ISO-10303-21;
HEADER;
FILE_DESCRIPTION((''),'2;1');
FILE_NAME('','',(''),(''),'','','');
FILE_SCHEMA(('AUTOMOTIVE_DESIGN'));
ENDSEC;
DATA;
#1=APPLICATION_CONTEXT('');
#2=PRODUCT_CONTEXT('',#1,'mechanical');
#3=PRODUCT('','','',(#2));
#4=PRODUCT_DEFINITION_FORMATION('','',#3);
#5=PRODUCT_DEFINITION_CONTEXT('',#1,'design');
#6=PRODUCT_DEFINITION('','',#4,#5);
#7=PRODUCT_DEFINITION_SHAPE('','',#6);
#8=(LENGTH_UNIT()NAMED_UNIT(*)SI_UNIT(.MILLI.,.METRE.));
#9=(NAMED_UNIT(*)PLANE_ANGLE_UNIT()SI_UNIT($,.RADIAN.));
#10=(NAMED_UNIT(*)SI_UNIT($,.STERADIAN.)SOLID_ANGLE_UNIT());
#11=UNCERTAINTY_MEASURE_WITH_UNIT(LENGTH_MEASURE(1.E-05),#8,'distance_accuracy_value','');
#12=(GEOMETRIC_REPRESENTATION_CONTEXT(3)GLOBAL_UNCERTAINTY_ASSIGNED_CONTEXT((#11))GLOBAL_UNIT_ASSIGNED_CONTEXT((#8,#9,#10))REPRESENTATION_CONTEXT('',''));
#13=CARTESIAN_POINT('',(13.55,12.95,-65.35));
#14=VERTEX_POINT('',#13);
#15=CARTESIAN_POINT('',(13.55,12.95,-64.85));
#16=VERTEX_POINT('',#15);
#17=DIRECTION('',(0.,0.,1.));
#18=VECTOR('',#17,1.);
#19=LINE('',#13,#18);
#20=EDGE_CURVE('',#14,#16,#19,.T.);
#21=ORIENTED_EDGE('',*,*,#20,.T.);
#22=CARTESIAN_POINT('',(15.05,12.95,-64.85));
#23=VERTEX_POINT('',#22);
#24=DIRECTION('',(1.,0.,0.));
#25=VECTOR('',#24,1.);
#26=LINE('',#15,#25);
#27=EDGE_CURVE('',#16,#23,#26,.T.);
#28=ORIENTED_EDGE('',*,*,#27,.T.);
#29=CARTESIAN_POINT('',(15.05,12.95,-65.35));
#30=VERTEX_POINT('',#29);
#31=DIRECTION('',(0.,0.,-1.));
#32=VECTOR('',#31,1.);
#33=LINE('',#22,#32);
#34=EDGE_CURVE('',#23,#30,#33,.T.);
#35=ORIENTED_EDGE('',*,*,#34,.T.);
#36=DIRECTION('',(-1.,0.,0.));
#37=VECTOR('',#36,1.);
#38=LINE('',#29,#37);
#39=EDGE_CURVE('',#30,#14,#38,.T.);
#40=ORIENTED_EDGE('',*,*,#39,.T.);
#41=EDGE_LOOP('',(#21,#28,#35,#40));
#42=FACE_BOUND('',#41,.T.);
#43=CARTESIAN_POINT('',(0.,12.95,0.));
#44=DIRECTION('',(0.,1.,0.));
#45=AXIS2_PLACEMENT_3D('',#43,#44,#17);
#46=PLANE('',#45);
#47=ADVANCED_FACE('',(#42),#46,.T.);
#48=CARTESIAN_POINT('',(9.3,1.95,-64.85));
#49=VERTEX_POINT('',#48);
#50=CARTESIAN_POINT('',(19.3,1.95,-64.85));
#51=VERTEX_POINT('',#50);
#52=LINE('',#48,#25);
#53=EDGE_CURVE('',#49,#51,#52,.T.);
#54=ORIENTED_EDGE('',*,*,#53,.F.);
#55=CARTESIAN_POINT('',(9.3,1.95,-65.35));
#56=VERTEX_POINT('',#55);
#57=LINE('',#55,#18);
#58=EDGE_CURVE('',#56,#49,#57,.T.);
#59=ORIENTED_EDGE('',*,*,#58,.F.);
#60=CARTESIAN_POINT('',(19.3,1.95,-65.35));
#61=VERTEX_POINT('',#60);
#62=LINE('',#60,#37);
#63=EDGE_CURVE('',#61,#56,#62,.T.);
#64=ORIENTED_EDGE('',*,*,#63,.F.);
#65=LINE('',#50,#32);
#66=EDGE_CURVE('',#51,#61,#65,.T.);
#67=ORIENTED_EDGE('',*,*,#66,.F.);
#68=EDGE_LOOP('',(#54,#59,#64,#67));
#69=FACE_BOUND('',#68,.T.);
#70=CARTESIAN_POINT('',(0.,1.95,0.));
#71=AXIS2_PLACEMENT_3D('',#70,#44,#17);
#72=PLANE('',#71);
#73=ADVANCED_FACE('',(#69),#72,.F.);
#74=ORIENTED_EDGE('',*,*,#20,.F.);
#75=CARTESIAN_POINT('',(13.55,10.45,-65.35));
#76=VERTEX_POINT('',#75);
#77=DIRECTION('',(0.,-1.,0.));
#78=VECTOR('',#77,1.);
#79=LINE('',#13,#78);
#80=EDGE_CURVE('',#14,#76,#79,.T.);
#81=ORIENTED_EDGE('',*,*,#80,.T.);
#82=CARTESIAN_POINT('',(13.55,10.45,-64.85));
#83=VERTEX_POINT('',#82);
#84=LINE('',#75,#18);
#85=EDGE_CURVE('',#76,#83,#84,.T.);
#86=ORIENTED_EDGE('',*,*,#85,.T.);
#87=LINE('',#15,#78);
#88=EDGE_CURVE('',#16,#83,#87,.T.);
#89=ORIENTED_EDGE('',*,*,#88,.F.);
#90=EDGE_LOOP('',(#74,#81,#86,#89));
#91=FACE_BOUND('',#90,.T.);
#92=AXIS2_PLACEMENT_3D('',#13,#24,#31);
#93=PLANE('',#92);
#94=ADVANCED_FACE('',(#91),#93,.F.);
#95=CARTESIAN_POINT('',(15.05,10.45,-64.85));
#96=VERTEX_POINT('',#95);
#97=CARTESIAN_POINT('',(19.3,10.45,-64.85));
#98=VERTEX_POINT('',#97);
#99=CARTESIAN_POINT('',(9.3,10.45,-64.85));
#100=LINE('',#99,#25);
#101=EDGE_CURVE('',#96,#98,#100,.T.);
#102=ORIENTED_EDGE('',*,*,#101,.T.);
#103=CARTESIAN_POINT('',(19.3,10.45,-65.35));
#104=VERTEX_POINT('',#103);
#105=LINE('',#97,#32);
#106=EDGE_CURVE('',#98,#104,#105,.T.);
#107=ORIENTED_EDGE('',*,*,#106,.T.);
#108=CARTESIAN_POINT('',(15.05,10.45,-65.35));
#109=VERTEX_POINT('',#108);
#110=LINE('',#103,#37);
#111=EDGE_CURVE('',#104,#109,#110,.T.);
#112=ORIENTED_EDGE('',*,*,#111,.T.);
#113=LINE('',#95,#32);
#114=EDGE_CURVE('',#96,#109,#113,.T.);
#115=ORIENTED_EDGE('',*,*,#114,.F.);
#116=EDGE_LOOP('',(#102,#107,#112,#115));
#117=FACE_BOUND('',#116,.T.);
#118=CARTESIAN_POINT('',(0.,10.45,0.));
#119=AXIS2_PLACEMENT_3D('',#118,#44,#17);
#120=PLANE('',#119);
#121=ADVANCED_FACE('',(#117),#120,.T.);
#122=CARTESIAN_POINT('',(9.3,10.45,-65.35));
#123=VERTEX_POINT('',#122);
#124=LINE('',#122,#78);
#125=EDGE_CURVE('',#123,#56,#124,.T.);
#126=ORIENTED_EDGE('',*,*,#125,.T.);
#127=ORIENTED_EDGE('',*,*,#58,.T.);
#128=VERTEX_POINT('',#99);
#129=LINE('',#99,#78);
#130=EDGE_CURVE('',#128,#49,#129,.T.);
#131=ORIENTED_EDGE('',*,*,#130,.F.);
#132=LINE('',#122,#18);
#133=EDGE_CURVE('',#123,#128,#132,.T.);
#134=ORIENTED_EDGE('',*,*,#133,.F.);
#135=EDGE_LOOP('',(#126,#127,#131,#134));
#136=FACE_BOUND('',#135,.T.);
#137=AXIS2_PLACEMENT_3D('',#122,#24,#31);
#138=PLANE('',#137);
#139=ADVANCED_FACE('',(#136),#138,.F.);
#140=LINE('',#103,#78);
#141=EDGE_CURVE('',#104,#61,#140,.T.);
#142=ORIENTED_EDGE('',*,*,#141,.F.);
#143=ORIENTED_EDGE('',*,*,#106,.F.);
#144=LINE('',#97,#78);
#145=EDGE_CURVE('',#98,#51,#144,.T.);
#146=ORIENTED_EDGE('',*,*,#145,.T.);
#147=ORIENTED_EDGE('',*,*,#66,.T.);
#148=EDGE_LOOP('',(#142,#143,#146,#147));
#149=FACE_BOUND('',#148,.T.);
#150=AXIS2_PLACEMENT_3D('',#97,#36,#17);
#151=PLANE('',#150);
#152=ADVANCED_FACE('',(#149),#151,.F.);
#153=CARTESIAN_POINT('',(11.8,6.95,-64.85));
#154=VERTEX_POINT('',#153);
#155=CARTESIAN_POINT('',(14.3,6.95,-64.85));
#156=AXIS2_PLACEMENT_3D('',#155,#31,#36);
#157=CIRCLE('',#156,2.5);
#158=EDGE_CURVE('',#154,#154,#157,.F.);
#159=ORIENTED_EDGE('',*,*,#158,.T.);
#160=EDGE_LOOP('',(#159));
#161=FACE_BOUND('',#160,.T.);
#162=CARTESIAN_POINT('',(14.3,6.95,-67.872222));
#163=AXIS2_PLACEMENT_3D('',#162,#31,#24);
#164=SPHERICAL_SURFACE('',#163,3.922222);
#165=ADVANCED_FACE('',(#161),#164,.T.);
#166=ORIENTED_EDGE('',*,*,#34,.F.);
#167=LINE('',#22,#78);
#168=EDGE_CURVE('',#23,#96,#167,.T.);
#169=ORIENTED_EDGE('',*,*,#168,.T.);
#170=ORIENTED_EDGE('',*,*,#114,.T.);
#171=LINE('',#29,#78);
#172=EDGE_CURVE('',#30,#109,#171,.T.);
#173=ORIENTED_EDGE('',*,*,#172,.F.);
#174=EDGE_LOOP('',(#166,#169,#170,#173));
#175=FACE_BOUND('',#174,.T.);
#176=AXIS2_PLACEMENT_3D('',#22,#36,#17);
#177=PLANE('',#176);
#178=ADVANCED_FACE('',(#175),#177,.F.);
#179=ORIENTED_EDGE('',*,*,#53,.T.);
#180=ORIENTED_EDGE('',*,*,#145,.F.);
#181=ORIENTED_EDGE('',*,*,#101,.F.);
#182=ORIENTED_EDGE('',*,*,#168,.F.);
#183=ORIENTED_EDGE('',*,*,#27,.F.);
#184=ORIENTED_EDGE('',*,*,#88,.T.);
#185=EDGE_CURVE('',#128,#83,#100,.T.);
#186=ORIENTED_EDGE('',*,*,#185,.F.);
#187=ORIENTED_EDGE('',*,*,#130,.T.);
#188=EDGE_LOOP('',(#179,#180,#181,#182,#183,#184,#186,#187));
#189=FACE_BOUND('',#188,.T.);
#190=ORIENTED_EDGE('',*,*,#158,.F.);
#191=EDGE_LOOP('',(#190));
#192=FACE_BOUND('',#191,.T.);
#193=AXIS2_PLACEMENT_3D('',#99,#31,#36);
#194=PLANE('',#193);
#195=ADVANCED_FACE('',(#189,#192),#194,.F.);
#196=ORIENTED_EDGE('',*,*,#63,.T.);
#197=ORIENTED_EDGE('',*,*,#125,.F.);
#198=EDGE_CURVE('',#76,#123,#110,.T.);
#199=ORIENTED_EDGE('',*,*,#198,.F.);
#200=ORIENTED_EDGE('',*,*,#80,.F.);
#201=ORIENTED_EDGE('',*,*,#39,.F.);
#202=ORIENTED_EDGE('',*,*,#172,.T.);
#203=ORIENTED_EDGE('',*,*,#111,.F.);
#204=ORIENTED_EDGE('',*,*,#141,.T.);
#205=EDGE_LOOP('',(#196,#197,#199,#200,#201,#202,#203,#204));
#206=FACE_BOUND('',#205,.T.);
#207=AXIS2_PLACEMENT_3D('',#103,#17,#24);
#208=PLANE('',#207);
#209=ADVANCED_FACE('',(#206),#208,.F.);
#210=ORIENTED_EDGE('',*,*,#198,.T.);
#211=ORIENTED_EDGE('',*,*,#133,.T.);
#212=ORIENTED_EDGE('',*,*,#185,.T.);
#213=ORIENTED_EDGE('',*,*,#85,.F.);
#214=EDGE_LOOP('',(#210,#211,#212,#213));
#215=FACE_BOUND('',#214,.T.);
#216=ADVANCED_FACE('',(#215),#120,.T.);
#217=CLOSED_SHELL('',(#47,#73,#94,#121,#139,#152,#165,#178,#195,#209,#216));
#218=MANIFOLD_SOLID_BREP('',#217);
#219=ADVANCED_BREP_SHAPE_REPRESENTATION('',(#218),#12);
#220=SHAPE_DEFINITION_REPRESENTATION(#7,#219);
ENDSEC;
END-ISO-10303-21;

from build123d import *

# Parameters (mm, degrees)
PLUS_PLATE_10_X_8_5_X_0_5_SKETCH_W = 10
PLUS_PLATE_10_X_8_5_X_0_5_SKETCH_H = 0.5
PLUS_PLATE_10_X_8_5_X_0_5_DEPTH    = 8.5
SOLDER_TAB_1_5_X_2_5_SKETCH_W      = 1.5
SOLDER_TAB_1_5_X_2_5_SKETCH_H      = 0.5
SOLDER_TAB_1_5_X_2_5_DEPTH         = 2.5


with BuildPart() as part:
    # Plus Plate 10 x 8.5 x 0.5 Sketch → Plus Plate 10 x 8.5 x 0.5 (new body)
    with BuildSketch(Plane(origin=(0, 1.95, 0), x_dir=(1, 0, 0), z_dir=(0, 1, 0))):
        with Locations((14.3, 65.1)):
            Rectangle(PLUS_PLATE_10_X_8_5_X_0_5_SKETCH_W, PLUS_PLATE_10_X_8_5_X_0_5_SKETCH_H)
    extrude(amount=PLUS_PLATE_10_X_8_5_X_0_5_DEPTH)

    # Solder Tab 1.5 x 2.5 Sketch → Solder Tab 1.5 x 2.5 (add)
    with BuildSketch(Plane(origin=(0, 10.45, 0), x_dir=(1, 0, 0), z_dir=(0, 1, 0))):
        with Locations((14.3, 65.1)):
            Rectangle(SOLDER_TAB_1_5_X_2_5_SKETCH_W, SOLDER_TAB_1_5_X_2_5_SKETCH_H)
    extrude(amount=SOLDER_TAB_1_5_X_2_5_DEPTH)

    # Dimple 0.9 Sketch → Dimple 0.9 (revolve)
    with BuildSketch(Plane(origin=(0, 6.95, 0), x_dir=(1, 0, 0), z_dir=(0, 1, 0))):
        with BuildLine():
            Line((14.3, 64.85), (16.8, 64.85))
            ThreePointArc((16.8, 64.85), (15.628533026, 64.181852707), (14.3, 63.95))
            Line((14.3, 63.95), (14.3, 64.85))
        make_face()
    revolve(axis=Axis((14.3, 6.95, -65.85), (0, 0, 1)))


solid = part.part
